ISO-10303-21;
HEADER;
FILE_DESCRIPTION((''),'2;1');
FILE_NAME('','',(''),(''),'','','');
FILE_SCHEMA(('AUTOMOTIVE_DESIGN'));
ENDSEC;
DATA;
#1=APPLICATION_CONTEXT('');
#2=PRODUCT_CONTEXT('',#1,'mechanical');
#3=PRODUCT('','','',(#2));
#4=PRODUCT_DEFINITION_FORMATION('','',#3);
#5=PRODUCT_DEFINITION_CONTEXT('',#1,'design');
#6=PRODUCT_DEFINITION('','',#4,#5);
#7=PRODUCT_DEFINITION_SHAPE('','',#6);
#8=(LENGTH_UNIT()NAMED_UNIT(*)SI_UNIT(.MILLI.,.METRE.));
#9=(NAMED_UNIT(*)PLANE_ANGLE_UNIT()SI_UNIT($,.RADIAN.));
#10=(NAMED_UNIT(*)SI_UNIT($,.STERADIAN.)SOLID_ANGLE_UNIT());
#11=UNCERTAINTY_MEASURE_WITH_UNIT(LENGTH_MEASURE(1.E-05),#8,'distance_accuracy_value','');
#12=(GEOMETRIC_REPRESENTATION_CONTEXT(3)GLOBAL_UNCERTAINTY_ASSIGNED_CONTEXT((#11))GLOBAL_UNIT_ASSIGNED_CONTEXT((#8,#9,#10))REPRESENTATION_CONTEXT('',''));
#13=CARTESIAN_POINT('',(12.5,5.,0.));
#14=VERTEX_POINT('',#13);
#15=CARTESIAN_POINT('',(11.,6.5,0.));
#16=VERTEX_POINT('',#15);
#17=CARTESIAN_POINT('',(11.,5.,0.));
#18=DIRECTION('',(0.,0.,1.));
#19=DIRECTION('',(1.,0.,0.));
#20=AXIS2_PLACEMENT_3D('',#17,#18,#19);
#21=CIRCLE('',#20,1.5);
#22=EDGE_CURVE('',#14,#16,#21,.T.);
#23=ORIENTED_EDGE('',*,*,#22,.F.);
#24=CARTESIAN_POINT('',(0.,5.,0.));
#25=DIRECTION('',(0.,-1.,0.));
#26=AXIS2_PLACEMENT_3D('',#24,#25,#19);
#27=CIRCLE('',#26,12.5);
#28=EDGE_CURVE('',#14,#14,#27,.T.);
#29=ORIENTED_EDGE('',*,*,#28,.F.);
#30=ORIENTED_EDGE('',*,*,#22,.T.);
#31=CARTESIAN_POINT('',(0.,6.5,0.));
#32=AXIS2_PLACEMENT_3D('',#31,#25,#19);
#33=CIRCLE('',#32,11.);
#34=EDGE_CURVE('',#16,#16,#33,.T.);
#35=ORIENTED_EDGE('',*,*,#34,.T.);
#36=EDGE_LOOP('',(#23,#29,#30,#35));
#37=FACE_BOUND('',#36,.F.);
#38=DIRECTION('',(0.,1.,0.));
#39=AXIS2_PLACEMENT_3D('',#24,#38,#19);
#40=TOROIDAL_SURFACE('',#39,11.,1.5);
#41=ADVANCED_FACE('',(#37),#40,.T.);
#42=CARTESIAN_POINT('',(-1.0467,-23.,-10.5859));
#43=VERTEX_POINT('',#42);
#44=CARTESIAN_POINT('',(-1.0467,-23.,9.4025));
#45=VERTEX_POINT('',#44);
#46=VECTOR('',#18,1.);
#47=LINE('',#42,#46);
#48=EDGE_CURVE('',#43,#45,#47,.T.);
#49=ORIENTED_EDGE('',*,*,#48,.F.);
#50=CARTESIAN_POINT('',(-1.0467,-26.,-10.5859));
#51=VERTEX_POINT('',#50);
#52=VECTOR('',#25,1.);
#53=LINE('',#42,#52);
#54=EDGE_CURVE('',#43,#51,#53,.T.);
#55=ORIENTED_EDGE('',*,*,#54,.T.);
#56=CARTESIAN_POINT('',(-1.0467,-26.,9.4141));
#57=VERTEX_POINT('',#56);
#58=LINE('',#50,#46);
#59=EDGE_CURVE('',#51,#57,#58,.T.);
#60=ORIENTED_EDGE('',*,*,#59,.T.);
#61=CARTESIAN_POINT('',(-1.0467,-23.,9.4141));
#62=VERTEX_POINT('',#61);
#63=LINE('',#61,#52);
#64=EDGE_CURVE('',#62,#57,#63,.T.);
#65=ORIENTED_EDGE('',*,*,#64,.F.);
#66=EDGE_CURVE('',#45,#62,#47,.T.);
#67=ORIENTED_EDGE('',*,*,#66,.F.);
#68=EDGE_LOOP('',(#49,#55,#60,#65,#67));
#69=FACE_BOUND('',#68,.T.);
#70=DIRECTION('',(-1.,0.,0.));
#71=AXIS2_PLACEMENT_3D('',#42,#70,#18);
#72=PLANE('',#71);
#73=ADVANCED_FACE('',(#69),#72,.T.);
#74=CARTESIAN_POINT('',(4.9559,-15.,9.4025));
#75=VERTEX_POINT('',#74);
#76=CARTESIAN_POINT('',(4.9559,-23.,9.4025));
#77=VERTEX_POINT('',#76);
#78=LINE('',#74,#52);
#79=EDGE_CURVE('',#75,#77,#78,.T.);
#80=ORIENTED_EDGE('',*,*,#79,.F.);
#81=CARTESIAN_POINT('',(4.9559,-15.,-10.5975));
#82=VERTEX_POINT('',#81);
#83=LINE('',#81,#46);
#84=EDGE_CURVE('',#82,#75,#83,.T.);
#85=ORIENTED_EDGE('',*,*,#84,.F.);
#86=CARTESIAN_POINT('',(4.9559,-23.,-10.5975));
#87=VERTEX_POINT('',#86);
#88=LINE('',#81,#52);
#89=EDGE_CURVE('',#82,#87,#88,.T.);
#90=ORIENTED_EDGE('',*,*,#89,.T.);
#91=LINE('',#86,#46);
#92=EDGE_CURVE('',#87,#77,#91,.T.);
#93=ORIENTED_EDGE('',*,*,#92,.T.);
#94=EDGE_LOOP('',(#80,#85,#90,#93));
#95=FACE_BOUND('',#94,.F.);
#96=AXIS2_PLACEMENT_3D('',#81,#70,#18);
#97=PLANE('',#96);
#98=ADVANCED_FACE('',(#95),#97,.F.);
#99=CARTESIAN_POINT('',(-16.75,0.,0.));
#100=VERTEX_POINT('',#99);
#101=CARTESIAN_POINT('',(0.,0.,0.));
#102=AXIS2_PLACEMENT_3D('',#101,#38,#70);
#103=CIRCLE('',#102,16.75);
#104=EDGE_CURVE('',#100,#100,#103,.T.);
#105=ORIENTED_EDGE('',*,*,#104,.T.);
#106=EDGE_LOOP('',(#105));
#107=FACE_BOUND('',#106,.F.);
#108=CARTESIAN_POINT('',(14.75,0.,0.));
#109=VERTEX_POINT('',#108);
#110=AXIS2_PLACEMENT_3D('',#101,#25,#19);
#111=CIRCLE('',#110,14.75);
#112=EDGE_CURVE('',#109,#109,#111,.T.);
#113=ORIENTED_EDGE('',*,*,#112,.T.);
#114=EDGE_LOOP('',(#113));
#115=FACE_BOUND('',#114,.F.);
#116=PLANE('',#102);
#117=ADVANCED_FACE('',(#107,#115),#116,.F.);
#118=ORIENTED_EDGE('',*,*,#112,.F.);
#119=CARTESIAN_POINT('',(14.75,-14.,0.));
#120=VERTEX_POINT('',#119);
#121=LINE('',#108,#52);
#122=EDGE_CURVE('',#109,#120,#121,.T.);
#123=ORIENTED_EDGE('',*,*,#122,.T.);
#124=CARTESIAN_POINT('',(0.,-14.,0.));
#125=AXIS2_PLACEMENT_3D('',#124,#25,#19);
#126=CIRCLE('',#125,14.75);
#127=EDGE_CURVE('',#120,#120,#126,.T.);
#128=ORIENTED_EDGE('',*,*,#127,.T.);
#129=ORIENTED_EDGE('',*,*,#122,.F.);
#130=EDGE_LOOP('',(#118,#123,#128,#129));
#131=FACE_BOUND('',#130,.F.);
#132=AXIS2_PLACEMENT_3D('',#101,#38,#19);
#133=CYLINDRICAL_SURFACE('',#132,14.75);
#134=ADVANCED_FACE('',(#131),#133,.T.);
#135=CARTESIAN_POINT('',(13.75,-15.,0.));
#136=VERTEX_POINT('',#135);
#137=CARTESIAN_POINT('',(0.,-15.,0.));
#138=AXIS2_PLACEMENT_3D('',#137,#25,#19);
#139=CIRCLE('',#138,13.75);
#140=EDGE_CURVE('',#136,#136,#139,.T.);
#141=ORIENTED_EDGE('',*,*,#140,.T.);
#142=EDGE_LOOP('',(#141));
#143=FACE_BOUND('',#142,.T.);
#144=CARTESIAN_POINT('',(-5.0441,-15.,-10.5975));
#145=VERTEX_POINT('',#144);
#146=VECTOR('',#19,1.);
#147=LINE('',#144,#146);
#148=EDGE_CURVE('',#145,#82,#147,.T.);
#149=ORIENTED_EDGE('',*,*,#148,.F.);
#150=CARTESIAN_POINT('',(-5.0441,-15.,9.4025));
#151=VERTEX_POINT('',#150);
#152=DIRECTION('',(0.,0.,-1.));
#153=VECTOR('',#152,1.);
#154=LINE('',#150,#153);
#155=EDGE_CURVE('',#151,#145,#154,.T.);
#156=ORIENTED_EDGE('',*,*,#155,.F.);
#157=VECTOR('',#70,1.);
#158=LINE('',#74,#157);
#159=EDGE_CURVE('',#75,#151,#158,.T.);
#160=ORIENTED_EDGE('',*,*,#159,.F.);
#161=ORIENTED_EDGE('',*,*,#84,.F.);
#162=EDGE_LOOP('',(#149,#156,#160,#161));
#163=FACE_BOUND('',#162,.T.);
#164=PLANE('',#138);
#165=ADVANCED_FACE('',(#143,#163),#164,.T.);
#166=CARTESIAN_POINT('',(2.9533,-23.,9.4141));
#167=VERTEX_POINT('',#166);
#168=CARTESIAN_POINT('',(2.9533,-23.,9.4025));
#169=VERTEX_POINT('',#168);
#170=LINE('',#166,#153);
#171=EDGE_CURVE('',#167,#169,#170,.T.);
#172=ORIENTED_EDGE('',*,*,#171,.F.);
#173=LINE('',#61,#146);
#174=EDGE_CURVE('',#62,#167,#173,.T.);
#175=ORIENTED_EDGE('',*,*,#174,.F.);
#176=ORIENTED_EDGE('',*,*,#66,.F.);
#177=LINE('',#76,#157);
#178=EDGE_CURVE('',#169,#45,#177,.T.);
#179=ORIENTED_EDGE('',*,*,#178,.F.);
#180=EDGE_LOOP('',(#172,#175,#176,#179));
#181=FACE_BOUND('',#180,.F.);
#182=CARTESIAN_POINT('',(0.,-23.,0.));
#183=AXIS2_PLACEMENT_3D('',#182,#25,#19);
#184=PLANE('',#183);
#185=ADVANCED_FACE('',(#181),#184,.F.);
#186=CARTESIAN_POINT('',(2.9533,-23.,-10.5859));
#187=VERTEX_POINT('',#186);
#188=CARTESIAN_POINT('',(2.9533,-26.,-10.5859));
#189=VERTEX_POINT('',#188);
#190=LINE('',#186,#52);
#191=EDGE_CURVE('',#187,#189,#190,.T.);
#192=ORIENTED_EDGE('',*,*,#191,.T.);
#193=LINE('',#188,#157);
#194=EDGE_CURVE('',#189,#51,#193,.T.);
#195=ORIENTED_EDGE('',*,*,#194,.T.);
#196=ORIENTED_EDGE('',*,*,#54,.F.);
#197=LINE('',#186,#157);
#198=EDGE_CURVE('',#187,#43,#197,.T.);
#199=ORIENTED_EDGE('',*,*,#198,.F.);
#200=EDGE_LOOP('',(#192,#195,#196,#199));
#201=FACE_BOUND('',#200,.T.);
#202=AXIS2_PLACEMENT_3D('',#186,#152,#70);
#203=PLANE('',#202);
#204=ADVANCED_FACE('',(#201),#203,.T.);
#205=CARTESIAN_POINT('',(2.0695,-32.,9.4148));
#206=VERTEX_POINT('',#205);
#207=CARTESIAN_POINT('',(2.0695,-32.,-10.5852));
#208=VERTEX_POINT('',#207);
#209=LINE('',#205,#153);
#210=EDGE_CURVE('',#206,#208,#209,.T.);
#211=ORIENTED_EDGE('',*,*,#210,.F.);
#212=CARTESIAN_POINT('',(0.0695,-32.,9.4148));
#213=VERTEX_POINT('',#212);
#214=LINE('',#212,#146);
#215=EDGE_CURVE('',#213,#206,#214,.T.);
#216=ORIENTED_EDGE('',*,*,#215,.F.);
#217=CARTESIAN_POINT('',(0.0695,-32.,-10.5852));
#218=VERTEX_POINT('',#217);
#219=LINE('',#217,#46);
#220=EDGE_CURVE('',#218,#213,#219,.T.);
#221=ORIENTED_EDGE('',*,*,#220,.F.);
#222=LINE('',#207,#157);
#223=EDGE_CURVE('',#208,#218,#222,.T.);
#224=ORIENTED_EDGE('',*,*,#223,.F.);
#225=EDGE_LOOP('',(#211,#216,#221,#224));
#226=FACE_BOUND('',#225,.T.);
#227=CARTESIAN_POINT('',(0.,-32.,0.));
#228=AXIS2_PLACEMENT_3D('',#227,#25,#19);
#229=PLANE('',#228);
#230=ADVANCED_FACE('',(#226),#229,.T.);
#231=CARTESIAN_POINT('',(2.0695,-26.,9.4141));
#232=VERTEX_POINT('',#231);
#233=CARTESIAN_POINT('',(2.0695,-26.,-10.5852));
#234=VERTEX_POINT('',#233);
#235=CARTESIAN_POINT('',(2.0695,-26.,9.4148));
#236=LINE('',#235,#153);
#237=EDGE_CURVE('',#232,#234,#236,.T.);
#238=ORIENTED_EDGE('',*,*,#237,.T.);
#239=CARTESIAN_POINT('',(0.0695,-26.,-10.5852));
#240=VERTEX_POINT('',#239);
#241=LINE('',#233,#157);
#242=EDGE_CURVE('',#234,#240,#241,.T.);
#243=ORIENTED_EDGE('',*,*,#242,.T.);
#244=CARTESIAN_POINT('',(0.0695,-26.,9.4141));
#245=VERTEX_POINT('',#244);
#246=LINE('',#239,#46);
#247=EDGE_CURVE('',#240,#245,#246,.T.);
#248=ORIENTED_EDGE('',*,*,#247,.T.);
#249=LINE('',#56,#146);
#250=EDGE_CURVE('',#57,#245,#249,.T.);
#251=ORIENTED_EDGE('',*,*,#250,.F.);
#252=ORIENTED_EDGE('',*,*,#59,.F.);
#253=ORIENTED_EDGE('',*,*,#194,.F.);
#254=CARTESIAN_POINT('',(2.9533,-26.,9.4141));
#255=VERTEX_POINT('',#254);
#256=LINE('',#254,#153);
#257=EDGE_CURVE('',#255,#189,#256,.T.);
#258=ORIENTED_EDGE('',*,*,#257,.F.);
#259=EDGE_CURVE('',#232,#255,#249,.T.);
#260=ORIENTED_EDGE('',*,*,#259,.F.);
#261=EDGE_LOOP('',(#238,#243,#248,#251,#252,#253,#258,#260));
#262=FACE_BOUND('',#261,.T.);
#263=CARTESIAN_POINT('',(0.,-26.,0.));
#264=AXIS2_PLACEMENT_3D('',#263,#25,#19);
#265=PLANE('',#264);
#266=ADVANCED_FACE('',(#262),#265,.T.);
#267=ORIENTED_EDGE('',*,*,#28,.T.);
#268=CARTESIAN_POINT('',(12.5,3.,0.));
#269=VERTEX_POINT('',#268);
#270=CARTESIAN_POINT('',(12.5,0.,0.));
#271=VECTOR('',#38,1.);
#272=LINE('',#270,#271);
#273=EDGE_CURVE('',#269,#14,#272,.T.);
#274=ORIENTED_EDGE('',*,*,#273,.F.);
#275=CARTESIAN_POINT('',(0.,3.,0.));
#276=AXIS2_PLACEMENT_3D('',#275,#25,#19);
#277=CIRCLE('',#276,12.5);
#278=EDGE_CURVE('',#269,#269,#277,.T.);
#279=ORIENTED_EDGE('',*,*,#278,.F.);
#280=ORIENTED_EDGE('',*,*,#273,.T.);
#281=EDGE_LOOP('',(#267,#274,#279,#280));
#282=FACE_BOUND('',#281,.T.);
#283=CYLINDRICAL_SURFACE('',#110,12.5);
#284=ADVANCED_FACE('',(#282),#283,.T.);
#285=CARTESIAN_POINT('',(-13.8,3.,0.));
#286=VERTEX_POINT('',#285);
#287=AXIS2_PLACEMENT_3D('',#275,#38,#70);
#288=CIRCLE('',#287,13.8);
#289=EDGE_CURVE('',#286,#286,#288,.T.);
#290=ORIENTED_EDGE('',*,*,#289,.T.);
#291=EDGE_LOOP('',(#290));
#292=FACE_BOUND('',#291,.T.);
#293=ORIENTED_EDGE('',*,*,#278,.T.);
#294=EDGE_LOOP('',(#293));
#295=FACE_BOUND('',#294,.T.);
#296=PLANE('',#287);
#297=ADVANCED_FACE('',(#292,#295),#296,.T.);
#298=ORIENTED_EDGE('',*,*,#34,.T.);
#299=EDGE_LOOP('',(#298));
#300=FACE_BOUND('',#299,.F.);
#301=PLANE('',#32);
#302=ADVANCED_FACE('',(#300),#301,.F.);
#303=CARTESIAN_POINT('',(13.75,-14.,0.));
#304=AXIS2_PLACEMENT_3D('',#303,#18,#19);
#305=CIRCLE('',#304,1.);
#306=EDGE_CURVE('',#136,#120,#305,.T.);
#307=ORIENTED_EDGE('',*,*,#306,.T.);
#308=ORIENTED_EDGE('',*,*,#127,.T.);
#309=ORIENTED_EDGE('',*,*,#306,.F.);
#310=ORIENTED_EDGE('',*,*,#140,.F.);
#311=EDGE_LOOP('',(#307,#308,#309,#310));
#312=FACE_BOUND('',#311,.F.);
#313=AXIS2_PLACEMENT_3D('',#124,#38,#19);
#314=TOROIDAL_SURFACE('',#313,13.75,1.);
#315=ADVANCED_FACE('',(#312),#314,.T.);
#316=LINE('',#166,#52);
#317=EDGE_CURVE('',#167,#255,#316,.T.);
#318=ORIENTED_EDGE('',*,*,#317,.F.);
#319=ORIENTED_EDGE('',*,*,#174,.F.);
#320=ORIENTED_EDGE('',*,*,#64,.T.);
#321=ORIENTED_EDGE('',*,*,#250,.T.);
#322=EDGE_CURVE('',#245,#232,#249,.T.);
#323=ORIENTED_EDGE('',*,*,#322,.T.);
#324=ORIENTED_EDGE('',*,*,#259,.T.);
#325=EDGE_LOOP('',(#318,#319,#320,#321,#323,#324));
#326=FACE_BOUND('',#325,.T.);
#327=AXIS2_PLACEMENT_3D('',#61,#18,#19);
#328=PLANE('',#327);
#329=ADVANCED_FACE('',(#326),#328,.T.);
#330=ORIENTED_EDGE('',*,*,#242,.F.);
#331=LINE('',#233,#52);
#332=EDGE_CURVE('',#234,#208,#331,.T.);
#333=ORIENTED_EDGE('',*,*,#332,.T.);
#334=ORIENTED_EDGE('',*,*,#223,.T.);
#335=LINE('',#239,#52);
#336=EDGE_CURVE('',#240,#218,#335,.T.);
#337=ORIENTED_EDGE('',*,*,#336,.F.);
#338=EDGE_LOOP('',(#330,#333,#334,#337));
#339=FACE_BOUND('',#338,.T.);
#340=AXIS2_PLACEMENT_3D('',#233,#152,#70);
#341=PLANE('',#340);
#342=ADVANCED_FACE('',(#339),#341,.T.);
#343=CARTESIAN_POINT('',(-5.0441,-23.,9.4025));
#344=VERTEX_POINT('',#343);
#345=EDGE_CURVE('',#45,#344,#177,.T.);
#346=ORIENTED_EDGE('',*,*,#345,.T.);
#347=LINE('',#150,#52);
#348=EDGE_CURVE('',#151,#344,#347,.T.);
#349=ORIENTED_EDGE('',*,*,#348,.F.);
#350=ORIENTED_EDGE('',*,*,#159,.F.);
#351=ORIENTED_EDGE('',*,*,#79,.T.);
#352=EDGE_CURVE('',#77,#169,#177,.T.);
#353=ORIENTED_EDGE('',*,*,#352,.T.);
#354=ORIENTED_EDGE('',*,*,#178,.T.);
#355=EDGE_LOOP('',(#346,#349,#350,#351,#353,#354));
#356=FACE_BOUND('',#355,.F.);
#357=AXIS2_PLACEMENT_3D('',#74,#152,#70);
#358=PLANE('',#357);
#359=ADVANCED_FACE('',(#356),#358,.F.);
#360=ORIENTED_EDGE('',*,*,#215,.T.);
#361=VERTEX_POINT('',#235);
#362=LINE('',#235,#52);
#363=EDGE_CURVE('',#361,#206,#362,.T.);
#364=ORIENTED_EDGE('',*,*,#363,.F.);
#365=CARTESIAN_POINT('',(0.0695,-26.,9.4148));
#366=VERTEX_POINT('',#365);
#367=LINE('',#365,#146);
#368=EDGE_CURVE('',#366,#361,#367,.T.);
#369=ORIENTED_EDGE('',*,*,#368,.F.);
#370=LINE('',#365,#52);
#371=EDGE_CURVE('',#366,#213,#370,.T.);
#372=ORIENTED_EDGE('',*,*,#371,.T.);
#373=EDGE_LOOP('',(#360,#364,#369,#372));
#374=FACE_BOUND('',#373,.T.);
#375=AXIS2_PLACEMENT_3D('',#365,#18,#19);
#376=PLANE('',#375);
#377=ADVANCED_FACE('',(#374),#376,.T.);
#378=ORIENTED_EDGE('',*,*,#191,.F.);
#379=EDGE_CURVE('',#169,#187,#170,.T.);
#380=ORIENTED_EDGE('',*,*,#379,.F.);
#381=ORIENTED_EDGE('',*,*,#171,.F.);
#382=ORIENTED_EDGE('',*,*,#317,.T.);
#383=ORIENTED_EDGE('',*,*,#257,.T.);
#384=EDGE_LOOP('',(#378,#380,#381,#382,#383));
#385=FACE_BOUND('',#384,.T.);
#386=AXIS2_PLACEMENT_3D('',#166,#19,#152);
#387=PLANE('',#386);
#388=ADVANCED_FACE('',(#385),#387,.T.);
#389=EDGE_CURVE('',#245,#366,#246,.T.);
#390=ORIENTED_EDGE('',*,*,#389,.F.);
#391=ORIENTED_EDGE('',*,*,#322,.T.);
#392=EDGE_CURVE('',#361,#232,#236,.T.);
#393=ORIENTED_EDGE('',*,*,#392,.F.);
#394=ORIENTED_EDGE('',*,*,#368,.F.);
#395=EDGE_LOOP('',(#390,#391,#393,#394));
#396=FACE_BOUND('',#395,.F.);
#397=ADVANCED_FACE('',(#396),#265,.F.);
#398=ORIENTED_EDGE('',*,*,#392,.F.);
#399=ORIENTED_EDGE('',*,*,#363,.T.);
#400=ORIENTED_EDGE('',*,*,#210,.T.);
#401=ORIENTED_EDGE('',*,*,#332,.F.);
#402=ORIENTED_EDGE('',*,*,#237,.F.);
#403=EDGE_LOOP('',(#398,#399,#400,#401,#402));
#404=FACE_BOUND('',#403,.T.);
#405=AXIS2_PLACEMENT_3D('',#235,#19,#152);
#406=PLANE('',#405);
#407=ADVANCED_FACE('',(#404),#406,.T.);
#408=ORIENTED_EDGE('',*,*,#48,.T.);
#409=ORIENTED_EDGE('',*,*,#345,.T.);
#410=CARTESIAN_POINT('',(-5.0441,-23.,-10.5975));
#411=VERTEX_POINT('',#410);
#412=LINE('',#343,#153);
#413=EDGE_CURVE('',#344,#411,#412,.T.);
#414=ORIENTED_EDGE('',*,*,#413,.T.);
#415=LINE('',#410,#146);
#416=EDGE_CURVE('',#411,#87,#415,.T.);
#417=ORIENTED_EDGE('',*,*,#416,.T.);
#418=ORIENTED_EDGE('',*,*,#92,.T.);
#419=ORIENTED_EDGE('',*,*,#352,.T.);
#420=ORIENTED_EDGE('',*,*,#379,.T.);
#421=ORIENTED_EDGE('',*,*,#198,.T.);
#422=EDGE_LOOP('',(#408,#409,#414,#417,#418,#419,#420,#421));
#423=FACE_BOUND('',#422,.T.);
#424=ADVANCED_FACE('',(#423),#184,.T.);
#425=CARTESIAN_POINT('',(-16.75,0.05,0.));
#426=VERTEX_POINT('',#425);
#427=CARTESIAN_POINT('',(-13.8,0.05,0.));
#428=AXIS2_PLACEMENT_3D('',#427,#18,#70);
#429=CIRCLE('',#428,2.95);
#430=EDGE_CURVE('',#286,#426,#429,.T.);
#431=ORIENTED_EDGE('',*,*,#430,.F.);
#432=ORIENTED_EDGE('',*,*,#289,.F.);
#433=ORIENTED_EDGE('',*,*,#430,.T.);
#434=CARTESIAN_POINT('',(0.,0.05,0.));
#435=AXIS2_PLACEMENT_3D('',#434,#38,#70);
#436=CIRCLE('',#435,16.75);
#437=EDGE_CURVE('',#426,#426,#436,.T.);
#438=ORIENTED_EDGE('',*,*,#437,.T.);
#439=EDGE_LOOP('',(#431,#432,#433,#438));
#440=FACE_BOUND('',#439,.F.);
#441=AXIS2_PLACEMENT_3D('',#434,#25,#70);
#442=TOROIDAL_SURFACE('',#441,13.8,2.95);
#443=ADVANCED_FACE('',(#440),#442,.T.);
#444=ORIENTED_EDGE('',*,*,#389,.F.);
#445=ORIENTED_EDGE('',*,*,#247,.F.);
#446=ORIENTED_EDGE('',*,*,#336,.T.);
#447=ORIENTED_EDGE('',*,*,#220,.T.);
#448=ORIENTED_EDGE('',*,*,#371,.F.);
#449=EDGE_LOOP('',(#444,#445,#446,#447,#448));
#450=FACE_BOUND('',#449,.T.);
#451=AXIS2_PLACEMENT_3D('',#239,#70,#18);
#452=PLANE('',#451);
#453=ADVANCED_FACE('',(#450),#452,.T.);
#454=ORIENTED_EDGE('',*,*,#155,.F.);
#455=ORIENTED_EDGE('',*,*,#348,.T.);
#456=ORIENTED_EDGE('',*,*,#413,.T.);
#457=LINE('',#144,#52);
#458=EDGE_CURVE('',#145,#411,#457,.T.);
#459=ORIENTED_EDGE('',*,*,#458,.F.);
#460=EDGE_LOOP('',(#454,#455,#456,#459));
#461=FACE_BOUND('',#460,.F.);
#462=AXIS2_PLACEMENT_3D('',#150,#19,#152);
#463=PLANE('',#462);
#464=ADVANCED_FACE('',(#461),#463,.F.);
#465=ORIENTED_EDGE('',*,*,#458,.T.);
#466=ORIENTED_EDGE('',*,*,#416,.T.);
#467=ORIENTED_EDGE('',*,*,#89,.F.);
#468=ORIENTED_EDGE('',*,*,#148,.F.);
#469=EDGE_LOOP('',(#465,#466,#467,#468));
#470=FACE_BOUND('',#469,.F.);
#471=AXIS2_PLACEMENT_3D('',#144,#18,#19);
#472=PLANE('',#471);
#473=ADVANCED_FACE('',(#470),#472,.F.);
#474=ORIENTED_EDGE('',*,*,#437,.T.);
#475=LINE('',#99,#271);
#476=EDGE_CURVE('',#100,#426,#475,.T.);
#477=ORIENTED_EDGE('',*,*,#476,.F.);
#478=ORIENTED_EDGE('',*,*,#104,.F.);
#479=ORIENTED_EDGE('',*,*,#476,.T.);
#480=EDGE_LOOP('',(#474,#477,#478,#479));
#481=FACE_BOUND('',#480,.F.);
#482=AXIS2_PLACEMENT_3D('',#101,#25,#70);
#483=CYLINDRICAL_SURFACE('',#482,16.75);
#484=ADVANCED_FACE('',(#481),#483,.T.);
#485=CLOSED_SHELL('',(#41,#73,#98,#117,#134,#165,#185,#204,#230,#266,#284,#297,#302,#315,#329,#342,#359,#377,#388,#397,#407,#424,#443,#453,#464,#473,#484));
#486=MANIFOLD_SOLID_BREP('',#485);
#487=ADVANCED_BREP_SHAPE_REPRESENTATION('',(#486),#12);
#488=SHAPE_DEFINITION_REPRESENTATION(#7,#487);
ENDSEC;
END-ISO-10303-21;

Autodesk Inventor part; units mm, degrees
ref_plane "YZ Plane" through (0, 0, 0) normal (1, 0, 0) x (0, 1, 0)
ref_plane "XZ Plane" through (0, 0, 0) normal (0, 1, 0) x (-1, 0, 0)
ref_plane "XY Plane" through (0, 0, 0) normal (0, 0, 1) x (1, 0, 0)
sketch "Sketch1" plane through (0, 0, 0) normal (0, 1, 0) x (-1, 0, 0)
  circle A0 centre (0, 0) radius 12.5
  circle A1 centre (0, 0) radius 16.75
  dimension "d0" = 25
  dimension "d1" = 33.5
extrude "Extrusion1" add sketch "Sketch1" along normal blind 3
sketch "Sketch2" plane through (0, 0, 0) normal (0, -1, 0) x (1, 0, 0)
  circle A0 centre (0, 0) radius 12.5 projected
  circle A1 centre (0, 0) radius 12.5
  dimension "d6" = 25
extrude "Extrusion2" add sketch "Sketch2" against normal blind 6.5
fillet "Fillet1" radius 1.5 1 edges at (-12.5, 6.5, 0)
fillet "Fillet2" radius 2.95 1 edges at (16.75, 3, 0)
sketch "Sketch5" plane through (0, 0, 0) normal (0, -1, 0) x (1, 0, 0)
  circle A0 centre (0, 0) radius 16.75 projected
  circle A1 centre (0, 0) radius 14.75
  dimension "d23" = 29.5
extrude "Extrusion5" add sketch "Sketch5" along normal blind 15 contours A1
sketch "Sketch7" plane through (0, -15, 0) normal (0, -1, 0) x (1, 0, 0)
  line L0 (4.9559, 9.4025) -> (-5.0441, 9.4025)
  line L1 (-5.0441, 9.4025) -> (-5.0441, -10.5975)
  line L2 (-5.0441, -10.5975) -> (4.9559, -10.5975)
  line L3 (4.9559, -10.5975) -> (4.9559, 9.4025)
  point P0 (0, 0)
  dimension "d30" = 10
  dimension "d32" = 20
extrude "Extrusion7" add sketch "Sketch7" along normal blind 8
sketch "Sketch8" plane through (0, -23, 0) normal (0, -1, 0) x (1, 0, 0)
  line L0 (-1.0467, 9.4141) -> (2.9533, 9.4141)
  line L1 (2.9533, 9.4141) -> (2.9533, -10.5859)
  line L2 (2.9533, -10.5859) -> (-1.0467, -10.5859)
  line L3 (-1.0467, -10.5859) -> (-1.0467, 9.4141)
  point P0 (0, 0)
  dimension "d35" = 4
  dimension "d37" = 20
extrude "Extrusion8" add sketch "Sketch8" along normal blind 3
sketch "Sketch10" plane through (0, -26, 0) normal (0, -1, 0) x (1, 0, 0)
  line L0 (0.0695, 9.4148) -> (2.0695, 9.4148)
  line L1 (2.0695, 9.4148) -> (2.0695, -10.5852)
  line L2 (2.0695, -10.5852) -> (0.0695, -10.5852)
  line L3 (0.0695, -10.5852) -> (0.0695, 9.4148)
  point P0 (0, 0)
  dimension "d46" = 20
  dimension "d48" = 2
extrude "Extrusion10" add sketch "Sketch10" along normal blind 6
fillet "Fillet3" radius 1 1 edges at (-14.75, -15, 0)
properties part number "OBSF-30-B_button" material "Nylon 6"
